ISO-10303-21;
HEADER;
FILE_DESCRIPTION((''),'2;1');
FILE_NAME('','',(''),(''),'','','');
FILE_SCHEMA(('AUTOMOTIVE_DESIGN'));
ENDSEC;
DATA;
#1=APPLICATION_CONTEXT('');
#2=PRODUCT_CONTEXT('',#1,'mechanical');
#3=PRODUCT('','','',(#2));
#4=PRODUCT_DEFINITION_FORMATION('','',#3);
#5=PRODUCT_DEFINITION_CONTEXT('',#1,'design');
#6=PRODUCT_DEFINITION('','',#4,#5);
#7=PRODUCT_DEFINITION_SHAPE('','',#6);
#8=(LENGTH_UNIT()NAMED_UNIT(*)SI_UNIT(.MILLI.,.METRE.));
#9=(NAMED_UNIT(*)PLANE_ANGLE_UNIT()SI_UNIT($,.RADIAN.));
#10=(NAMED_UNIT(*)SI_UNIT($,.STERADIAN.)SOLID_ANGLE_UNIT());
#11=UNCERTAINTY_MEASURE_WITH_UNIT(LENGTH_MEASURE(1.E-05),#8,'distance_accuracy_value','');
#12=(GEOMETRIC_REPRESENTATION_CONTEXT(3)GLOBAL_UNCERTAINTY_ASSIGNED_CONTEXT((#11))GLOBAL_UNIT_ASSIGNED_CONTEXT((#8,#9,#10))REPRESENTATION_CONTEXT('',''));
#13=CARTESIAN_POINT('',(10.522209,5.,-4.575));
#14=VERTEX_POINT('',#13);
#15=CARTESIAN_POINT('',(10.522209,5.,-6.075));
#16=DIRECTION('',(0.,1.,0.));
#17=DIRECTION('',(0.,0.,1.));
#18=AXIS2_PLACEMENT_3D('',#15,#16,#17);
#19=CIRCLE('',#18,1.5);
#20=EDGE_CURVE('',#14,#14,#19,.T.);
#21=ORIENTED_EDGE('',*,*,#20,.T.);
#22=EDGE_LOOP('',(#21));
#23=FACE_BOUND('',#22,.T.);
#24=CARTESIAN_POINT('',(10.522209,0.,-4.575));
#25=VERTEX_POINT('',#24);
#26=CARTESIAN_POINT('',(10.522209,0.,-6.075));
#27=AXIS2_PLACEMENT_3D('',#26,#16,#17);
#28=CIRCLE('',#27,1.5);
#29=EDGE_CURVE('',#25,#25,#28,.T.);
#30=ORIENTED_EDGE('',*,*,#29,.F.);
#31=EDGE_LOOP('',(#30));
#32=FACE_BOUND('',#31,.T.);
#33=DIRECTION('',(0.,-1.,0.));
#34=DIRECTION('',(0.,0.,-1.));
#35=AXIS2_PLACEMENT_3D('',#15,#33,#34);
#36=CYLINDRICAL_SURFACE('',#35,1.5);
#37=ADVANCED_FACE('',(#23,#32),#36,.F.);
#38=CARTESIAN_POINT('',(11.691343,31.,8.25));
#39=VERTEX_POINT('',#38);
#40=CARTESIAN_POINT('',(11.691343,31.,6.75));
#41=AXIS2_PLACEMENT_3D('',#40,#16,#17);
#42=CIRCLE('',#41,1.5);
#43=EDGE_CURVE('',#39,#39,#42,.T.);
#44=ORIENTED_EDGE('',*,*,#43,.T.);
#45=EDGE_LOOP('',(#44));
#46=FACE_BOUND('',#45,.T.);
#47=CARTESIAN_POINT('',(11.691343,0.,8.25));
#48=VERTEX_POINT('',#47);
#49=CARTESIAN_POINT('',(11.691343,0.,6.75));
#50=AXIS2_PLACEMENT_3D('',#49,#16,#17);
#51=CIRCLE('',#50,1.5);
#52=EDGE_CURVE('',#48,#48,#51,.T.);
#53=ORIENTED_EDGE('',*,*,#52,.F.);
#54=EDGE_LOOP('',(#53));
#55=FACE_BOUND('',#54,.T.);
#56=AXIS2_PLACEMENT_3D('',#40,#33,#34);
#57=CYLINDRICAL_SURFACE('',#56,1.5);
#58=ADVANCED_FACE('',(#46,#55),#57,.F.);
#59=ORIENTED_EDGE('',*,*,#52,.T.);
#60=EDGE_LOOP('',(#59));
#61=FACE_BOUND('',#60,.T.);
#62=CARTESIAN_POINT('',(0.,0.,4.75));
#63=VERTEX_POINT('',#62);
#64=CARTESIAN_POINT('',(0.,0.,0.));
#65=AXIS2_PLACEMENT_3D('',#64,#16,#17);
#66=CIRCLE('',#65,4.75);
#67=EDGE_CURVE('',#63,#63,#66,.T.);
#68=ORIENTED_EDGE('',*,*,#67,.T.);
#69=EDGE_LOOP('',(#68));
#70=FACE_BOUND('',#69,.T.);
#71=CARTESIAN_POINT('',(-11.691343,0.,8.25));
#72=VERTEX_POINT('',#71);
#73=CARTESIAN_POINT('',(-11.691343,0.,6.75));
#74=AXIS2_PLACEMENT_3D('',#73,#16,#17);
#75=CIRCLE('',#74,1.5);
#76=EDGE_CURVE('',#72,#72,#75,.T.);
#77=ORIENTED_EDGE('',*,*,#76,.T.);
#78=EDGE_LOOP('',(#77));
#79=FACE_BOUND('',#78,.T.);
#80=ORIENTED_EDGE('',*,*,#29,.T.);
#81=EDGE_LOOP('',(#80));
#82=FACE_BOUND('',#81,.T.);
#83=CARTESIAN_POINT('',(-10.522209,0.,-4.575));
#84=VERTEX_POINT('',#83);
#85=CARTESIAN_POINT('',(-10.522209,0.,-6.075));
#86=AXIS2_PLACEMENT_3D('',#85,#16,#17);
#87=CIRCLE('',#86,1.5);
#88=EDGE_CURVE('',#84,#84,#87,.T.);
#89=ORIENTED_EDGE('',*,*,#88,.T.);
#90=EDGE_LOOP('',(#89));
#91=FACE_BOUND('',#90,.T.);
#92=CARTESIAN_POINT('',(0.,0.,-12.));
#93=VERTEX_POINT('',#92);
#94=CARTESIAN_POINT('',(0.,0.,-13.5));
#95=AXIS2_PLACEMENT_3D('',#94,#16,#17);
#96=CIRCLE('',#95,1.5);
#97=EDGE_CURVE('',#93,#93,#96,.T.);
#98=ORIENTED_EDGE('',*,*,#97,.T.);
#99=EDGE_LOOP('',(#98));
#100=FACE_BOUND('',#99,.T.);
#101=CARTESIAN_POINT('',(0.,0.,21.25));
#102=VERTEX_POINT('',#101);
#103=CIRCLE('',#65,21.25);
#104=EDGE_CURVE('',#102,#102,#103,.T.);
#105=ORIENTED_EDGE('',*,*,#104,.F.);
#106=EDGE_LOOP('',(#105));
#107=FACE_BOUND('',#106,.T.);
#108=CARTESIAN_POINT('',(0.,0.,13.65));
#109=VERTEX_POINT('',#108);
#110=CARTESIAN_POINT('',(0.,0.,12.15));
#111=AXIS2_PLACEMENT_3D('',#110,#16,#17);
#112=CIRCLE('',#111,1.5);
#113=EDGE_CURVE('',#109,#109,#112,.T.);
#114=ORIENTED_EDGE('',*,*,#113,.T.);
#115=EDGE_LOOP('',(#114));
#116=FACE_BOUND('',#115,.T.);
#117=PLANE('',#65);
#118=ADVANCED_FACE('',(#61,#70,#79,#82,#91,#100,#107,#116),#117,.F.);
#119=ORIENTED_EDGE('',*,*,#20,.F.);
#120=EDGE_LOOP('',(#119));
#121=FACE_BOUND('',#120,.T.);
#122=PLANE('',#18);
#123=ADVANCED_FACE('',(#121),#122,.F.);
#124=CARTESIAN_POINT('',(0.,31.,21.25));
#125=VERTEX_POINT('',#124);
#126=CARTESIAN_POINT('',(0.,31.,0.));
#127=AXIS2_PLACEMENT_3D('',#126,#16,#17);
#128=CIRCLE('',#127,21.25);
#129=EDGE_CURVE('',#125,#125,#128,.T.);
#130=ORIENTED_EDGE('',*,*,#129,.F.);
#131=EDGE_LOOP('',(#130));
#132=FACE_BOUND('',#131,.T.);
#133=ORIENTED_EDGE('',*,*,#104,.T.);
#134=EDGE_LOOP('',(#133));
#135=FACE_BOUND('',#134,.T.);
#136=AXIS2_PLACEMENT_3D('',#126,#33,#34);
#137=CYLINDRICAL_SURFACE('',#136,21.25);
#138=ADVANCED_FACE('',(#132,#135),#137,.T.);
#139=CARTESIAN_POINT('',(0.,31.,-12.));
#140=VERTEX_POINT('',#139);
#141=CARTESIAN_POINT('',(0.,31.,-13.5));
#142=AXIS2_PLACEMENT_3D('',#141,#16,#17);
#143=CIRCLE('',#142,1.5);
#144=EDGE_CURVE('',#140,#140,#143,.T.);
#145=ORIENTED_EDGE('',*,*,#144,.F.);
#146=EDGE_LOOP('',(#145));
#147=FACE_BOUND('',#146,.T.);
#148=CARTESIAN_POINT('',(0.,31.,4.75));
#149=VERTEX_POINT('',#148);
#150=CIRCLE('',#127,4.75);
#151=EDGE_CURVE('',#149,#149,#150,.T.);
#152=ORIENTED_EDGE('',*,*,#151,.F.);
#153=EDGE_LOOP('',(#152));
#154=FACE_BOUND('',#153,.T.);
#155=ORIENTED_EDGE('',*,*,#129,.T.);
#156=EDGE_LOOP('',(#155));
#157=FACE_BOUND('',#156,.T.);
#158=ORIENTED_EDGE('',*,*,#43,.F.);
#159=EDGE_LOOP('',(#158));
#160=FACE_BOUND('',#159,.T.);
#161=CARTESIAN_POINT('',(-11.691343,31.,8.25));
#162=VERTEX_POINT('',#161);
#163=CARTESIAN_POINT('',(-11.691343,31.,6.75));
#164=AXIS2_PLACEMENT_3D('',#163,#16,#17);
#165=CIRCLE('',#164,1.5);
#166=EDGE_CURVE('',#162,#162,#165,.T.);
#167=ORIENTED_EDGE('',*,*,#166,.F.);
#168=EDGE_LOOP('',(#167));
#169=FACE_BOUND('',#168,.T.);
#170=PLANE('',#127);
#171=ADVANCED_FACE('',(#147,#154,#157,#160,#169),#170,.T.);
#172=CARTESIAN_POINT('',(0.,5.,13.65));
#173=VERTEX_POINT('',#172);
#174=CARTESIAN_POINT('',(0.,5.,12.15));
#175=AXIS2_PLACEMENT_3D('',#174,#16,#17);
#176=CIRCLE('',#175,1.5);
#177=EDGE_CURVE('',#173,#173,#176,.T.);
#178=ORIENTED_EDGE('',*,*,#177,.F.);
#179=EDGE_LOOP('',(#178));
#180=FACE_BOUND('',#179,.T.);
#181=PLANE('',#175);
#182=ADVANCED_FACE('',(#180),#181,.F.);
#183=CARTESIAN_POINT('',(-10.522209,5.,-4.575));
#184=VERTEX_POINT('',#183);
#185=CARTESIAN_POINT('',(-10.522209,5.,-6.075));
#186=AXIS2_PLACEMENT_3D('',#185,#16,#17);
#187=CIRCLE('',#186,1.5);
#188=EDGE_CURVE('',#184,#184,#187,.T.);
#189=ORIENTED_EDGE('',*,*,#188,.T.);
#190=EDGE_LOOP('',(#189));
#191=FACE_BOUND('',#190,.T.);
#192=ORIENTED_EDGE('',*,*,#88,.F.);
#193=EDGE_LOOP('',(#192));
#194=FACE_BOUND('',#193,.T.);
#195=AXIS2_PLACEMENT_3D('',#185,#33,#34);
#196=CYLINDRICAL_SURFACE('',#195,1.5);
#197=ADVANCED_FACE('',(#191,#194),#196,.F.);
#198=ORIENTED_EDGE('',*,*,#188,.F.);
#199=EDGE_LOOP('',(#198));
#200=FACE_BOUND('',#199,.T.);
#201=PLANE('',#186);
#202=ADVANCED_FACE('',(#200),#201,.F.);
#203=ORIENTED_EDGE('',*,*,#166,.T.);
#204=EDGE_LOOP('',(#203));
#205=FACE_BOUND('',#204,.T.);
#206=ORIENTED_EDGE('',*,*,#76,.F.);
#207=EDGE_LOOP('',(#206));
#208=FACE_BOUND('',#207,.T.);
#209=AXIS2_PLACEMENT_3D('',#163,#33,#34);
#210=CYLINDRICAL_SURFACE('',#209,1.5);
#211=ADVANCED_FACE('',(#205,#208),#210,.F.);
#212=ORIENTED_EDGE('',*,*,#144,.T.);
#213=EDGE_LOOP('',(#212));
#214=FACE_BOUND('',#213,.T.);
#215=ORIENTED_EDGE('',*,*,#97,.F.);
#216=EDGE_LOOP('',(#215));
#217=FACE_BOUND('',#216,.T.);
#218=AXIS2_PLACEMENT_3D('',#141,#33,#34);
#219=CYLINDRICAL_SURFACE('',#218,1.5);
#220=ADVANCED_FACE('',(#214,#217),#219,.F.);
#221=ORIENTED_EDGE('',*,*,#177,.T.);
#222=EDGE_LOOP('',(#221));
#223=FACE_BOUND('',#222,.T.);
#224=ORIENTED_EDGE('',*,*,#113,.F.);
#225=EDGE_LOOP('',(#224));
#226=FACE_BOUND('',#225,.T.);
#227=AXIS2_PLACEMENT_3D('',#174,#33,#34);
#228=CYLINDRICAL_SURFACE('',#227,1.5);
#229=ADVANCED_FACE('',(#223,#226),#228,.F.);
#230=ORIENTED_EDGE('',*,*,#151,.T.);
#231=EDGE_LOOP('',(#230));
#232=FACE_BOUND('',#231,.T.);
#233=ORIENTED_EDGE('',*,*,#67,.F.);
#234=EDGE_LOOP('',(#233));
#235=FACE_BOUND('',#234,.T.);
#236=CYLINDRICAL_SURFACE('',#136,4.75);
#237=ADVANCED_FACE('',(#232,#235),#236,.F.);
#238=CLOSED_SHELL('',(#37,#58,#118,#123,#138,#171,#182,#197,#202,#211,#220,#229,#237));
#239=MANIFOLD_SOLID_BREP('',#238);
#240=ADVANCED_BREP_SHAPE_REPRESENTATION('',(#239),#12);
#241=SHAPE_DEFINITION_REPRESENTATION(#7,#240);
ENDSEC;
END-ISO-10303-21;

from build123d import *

# Parameters (mm, degrees)
SKETCH_1_R          = 21.25
SKETCH_1_R_2        = 1.5
SKETCH_1_R_3        = 4.75
EXTRUDE_1_DEPTH     = 31
SKETCH_1_3_R        = 1.5
CUT_EXTRUDE_1_DEPTH = 5


with BuildPart() as part:
    # 草图1 → 凸台-拉伸1 (new body)
    with BuildSketch(Plane(origin=(0, 0, 0), x_dir=(1, 0, 0), z_dir=(0, 1, 0))):
        Circle(SKETCH_1_R)
        with Locations((-11.691342951, -6.75)):
            Circle(SKETCH_1_R_2, mode=Mode.SUBTRACT)
        with Locations((11.691342951, -6.75)):
            Circle(SKETCH_1_R_2, mode=Mode.SUBTRACT)
        Circle(SKETCH_1_R_3, mode=Mode.SUBTRACT)
        with Locations((0, 13.5)):
            Circle(SKETCH_1_R_2, mode=Mode.SUBTRACT)
    extrude(amount=EXTRUDE_1_DEPTH)

    # 草图1<3> → 切除-拉伸1 (cut)
    with BuildSketch(Plane(origin=(0, 0, 0), x_dir=(1, 0, 0), z_dir=(0, 1, 0))):
        with Locations((10.522208656, 6.075)):
            Circle(SKETCH_1_3_R)
        with Locations((0, -12.15)):
            Circle(SKETCH_1_3_R)
        with Locations((-10.522208656, 6.075)):
            Circle(SKETCH_1_3_R)
    extrude(amount=CUT_EXTRUDE_1_DEPTH, mode=Mode.SUBTRACT)


solid = part.part
